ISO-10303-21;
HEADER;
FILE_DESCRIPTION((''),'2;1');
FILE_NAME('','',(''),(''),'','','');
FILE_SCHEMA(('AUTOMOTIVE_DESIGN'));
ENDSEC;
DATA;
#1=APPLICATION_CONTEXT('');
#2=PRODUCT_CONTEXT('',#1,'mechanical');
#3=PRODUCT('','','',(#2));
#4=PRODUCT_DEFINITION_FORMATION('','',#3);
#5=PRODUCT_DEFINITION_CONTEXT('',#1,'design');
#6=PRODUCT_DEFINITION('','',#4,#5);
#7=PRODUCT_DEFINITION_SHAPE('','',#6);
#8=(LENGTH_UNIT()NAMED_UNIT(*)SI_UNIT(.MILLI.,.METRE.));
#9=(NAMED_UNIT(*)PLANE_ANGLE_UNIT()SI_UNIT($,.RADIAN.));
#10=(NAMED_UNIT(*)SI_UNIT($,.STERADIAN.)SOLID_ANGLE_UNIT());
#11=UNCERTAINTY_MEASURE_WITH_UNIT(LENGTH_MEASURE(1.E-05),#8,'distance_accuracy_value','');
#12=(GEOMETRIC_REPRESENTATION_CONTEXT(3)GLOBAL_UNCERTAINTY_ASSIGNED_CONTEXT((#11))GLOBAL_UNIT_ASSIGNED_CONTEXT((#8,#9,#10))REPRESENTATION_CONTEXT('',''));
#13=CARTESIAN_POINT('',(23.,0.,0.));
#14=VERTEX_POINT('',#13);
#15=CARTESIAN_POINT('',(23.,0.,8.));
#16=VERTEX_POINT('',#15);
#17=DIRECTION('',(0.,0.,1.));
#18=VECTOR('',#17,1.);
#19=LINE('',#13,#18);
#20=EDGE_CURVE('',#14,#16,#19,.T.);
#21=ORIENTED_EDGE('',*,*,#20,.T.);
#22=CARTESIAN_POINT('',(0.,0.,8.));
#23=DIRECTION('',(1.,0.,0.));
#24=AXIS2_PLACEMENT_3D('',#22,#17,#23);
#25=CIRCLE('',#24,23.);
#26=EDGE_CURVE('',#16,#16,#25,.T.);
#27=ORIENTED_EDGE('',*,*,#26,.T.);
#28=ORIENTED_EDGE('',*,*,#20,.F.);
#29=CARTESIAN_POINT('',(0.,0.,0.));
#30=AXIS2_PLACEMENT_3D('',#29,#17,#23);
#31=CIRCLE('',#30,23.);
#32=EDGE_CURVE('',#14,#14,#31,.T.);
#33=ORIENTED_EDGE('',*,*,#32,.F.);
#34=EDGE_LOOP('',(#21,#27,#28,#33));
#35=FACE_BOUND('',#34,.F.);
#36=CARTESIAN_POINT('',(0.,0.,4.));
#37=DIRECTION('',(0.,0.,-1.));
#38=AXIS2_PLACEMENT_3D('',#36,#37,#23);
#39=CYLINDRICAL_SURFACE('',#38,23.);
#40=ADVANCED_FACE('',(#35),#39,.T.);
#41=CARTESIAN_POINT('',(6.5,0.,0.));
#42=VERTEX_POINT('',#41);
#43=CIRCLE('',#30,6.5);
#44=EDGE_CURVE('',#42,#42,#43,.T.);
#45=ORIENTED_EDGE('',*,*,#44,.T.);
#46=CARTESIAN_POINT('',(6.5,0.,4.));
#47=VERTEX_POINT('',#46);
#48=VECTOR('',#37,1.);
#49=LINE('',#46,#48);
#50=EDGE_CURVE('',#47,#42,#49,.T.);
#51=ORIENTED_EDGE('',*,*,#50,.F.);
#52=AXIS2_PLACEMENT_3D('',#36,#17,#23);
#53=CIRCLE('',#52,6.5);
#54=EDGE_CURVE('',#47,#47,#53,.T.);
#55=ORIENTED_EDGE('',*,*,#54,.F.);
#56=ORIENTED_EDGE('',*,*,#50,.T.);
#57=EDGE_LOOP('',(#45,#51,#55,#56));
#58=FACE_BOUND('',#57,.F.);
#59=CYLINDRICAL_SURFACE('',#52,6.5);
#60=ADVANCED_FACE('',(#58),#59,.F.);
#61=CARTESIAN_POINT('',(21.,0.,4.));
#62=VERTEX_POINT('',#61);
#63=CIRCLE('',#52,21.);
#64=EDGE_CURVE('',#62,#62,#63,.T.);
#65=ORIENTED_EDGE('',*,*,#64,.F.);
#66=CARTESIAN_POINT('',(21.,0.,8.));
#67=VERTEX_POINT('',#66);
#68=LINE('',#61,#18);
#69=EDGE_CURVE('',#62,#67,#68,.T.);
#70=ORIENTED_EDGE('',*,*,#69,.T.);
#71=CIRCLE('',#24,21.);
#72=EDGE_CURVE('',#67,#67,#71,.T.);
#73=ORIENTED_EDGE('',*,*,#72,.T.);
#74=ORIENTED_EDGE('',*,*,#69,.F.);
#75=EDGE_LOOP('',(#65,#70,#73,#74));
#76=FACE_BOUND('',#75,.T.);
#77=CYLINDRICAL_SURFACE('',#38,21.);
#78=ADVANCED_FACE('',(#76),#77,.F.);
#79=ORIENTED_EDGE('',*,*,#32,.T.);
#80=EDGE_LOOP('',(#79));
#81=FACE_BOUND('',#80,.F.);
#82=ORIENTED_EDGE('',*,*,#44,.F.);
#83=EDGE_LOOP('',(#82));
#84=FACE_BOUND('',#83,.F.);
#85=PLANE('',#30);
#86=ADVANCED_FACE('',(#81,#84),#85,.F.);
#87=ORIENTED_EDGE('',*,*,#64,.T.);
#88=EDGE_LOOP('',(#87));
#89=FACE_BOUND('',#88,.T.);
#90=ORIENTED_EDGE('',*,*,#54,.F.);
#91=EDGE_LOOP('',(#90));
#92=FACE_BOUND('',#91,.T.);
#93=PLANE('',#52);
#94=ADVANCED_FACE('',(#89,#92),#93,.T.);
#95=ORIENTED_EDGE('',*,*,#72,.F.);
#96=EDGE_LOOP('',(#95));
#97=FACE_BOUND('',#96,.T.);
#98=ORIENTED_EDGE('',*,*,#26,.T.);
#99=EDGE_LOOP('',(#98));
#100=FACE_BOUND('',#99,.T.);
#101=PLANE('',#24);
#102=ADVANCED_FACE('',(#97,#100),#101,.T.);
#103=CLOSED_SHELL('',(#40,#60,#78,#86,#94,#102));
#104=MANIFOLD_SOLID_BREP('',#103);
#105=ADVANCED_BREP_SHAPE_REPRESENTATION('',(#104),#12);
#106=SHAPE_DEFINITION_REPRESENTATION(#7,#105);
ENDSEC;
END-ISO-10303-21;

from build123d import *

# Parameters (mm, degrees)
F0_R     = 23
F1_DEPTH = 4
F2_R     = 23
F2_R_2   = 21
F3_DEPTH = 4
F4_R     = 6.5
F5_DEPTH = 4


with BuildPart() as f1:
    # F0 (on Top) → F1 (new body)
    with BuildSketch(Plane.XY):
        Circle(F0_R)
    extrude(amount=F1_DEPTH)

    # F2 (on face) → F3 (join)
    with BuildSketch(Plane.XY.offset(4)):
        Circle(F2_R)
        Circle(F2_R_2, mode=Mode.SUBTRACT)
    extrude(amount=F3_DEPTH)

    # F4 (on face) → F5 (cut, through all)
    with BuildSketch(Plane.XY.offset(4)):
        Circle(F4_R)
    extrude(amount=-F5_DEPTH, mode=Mode.SUBTRACT)


solid = f1.part
